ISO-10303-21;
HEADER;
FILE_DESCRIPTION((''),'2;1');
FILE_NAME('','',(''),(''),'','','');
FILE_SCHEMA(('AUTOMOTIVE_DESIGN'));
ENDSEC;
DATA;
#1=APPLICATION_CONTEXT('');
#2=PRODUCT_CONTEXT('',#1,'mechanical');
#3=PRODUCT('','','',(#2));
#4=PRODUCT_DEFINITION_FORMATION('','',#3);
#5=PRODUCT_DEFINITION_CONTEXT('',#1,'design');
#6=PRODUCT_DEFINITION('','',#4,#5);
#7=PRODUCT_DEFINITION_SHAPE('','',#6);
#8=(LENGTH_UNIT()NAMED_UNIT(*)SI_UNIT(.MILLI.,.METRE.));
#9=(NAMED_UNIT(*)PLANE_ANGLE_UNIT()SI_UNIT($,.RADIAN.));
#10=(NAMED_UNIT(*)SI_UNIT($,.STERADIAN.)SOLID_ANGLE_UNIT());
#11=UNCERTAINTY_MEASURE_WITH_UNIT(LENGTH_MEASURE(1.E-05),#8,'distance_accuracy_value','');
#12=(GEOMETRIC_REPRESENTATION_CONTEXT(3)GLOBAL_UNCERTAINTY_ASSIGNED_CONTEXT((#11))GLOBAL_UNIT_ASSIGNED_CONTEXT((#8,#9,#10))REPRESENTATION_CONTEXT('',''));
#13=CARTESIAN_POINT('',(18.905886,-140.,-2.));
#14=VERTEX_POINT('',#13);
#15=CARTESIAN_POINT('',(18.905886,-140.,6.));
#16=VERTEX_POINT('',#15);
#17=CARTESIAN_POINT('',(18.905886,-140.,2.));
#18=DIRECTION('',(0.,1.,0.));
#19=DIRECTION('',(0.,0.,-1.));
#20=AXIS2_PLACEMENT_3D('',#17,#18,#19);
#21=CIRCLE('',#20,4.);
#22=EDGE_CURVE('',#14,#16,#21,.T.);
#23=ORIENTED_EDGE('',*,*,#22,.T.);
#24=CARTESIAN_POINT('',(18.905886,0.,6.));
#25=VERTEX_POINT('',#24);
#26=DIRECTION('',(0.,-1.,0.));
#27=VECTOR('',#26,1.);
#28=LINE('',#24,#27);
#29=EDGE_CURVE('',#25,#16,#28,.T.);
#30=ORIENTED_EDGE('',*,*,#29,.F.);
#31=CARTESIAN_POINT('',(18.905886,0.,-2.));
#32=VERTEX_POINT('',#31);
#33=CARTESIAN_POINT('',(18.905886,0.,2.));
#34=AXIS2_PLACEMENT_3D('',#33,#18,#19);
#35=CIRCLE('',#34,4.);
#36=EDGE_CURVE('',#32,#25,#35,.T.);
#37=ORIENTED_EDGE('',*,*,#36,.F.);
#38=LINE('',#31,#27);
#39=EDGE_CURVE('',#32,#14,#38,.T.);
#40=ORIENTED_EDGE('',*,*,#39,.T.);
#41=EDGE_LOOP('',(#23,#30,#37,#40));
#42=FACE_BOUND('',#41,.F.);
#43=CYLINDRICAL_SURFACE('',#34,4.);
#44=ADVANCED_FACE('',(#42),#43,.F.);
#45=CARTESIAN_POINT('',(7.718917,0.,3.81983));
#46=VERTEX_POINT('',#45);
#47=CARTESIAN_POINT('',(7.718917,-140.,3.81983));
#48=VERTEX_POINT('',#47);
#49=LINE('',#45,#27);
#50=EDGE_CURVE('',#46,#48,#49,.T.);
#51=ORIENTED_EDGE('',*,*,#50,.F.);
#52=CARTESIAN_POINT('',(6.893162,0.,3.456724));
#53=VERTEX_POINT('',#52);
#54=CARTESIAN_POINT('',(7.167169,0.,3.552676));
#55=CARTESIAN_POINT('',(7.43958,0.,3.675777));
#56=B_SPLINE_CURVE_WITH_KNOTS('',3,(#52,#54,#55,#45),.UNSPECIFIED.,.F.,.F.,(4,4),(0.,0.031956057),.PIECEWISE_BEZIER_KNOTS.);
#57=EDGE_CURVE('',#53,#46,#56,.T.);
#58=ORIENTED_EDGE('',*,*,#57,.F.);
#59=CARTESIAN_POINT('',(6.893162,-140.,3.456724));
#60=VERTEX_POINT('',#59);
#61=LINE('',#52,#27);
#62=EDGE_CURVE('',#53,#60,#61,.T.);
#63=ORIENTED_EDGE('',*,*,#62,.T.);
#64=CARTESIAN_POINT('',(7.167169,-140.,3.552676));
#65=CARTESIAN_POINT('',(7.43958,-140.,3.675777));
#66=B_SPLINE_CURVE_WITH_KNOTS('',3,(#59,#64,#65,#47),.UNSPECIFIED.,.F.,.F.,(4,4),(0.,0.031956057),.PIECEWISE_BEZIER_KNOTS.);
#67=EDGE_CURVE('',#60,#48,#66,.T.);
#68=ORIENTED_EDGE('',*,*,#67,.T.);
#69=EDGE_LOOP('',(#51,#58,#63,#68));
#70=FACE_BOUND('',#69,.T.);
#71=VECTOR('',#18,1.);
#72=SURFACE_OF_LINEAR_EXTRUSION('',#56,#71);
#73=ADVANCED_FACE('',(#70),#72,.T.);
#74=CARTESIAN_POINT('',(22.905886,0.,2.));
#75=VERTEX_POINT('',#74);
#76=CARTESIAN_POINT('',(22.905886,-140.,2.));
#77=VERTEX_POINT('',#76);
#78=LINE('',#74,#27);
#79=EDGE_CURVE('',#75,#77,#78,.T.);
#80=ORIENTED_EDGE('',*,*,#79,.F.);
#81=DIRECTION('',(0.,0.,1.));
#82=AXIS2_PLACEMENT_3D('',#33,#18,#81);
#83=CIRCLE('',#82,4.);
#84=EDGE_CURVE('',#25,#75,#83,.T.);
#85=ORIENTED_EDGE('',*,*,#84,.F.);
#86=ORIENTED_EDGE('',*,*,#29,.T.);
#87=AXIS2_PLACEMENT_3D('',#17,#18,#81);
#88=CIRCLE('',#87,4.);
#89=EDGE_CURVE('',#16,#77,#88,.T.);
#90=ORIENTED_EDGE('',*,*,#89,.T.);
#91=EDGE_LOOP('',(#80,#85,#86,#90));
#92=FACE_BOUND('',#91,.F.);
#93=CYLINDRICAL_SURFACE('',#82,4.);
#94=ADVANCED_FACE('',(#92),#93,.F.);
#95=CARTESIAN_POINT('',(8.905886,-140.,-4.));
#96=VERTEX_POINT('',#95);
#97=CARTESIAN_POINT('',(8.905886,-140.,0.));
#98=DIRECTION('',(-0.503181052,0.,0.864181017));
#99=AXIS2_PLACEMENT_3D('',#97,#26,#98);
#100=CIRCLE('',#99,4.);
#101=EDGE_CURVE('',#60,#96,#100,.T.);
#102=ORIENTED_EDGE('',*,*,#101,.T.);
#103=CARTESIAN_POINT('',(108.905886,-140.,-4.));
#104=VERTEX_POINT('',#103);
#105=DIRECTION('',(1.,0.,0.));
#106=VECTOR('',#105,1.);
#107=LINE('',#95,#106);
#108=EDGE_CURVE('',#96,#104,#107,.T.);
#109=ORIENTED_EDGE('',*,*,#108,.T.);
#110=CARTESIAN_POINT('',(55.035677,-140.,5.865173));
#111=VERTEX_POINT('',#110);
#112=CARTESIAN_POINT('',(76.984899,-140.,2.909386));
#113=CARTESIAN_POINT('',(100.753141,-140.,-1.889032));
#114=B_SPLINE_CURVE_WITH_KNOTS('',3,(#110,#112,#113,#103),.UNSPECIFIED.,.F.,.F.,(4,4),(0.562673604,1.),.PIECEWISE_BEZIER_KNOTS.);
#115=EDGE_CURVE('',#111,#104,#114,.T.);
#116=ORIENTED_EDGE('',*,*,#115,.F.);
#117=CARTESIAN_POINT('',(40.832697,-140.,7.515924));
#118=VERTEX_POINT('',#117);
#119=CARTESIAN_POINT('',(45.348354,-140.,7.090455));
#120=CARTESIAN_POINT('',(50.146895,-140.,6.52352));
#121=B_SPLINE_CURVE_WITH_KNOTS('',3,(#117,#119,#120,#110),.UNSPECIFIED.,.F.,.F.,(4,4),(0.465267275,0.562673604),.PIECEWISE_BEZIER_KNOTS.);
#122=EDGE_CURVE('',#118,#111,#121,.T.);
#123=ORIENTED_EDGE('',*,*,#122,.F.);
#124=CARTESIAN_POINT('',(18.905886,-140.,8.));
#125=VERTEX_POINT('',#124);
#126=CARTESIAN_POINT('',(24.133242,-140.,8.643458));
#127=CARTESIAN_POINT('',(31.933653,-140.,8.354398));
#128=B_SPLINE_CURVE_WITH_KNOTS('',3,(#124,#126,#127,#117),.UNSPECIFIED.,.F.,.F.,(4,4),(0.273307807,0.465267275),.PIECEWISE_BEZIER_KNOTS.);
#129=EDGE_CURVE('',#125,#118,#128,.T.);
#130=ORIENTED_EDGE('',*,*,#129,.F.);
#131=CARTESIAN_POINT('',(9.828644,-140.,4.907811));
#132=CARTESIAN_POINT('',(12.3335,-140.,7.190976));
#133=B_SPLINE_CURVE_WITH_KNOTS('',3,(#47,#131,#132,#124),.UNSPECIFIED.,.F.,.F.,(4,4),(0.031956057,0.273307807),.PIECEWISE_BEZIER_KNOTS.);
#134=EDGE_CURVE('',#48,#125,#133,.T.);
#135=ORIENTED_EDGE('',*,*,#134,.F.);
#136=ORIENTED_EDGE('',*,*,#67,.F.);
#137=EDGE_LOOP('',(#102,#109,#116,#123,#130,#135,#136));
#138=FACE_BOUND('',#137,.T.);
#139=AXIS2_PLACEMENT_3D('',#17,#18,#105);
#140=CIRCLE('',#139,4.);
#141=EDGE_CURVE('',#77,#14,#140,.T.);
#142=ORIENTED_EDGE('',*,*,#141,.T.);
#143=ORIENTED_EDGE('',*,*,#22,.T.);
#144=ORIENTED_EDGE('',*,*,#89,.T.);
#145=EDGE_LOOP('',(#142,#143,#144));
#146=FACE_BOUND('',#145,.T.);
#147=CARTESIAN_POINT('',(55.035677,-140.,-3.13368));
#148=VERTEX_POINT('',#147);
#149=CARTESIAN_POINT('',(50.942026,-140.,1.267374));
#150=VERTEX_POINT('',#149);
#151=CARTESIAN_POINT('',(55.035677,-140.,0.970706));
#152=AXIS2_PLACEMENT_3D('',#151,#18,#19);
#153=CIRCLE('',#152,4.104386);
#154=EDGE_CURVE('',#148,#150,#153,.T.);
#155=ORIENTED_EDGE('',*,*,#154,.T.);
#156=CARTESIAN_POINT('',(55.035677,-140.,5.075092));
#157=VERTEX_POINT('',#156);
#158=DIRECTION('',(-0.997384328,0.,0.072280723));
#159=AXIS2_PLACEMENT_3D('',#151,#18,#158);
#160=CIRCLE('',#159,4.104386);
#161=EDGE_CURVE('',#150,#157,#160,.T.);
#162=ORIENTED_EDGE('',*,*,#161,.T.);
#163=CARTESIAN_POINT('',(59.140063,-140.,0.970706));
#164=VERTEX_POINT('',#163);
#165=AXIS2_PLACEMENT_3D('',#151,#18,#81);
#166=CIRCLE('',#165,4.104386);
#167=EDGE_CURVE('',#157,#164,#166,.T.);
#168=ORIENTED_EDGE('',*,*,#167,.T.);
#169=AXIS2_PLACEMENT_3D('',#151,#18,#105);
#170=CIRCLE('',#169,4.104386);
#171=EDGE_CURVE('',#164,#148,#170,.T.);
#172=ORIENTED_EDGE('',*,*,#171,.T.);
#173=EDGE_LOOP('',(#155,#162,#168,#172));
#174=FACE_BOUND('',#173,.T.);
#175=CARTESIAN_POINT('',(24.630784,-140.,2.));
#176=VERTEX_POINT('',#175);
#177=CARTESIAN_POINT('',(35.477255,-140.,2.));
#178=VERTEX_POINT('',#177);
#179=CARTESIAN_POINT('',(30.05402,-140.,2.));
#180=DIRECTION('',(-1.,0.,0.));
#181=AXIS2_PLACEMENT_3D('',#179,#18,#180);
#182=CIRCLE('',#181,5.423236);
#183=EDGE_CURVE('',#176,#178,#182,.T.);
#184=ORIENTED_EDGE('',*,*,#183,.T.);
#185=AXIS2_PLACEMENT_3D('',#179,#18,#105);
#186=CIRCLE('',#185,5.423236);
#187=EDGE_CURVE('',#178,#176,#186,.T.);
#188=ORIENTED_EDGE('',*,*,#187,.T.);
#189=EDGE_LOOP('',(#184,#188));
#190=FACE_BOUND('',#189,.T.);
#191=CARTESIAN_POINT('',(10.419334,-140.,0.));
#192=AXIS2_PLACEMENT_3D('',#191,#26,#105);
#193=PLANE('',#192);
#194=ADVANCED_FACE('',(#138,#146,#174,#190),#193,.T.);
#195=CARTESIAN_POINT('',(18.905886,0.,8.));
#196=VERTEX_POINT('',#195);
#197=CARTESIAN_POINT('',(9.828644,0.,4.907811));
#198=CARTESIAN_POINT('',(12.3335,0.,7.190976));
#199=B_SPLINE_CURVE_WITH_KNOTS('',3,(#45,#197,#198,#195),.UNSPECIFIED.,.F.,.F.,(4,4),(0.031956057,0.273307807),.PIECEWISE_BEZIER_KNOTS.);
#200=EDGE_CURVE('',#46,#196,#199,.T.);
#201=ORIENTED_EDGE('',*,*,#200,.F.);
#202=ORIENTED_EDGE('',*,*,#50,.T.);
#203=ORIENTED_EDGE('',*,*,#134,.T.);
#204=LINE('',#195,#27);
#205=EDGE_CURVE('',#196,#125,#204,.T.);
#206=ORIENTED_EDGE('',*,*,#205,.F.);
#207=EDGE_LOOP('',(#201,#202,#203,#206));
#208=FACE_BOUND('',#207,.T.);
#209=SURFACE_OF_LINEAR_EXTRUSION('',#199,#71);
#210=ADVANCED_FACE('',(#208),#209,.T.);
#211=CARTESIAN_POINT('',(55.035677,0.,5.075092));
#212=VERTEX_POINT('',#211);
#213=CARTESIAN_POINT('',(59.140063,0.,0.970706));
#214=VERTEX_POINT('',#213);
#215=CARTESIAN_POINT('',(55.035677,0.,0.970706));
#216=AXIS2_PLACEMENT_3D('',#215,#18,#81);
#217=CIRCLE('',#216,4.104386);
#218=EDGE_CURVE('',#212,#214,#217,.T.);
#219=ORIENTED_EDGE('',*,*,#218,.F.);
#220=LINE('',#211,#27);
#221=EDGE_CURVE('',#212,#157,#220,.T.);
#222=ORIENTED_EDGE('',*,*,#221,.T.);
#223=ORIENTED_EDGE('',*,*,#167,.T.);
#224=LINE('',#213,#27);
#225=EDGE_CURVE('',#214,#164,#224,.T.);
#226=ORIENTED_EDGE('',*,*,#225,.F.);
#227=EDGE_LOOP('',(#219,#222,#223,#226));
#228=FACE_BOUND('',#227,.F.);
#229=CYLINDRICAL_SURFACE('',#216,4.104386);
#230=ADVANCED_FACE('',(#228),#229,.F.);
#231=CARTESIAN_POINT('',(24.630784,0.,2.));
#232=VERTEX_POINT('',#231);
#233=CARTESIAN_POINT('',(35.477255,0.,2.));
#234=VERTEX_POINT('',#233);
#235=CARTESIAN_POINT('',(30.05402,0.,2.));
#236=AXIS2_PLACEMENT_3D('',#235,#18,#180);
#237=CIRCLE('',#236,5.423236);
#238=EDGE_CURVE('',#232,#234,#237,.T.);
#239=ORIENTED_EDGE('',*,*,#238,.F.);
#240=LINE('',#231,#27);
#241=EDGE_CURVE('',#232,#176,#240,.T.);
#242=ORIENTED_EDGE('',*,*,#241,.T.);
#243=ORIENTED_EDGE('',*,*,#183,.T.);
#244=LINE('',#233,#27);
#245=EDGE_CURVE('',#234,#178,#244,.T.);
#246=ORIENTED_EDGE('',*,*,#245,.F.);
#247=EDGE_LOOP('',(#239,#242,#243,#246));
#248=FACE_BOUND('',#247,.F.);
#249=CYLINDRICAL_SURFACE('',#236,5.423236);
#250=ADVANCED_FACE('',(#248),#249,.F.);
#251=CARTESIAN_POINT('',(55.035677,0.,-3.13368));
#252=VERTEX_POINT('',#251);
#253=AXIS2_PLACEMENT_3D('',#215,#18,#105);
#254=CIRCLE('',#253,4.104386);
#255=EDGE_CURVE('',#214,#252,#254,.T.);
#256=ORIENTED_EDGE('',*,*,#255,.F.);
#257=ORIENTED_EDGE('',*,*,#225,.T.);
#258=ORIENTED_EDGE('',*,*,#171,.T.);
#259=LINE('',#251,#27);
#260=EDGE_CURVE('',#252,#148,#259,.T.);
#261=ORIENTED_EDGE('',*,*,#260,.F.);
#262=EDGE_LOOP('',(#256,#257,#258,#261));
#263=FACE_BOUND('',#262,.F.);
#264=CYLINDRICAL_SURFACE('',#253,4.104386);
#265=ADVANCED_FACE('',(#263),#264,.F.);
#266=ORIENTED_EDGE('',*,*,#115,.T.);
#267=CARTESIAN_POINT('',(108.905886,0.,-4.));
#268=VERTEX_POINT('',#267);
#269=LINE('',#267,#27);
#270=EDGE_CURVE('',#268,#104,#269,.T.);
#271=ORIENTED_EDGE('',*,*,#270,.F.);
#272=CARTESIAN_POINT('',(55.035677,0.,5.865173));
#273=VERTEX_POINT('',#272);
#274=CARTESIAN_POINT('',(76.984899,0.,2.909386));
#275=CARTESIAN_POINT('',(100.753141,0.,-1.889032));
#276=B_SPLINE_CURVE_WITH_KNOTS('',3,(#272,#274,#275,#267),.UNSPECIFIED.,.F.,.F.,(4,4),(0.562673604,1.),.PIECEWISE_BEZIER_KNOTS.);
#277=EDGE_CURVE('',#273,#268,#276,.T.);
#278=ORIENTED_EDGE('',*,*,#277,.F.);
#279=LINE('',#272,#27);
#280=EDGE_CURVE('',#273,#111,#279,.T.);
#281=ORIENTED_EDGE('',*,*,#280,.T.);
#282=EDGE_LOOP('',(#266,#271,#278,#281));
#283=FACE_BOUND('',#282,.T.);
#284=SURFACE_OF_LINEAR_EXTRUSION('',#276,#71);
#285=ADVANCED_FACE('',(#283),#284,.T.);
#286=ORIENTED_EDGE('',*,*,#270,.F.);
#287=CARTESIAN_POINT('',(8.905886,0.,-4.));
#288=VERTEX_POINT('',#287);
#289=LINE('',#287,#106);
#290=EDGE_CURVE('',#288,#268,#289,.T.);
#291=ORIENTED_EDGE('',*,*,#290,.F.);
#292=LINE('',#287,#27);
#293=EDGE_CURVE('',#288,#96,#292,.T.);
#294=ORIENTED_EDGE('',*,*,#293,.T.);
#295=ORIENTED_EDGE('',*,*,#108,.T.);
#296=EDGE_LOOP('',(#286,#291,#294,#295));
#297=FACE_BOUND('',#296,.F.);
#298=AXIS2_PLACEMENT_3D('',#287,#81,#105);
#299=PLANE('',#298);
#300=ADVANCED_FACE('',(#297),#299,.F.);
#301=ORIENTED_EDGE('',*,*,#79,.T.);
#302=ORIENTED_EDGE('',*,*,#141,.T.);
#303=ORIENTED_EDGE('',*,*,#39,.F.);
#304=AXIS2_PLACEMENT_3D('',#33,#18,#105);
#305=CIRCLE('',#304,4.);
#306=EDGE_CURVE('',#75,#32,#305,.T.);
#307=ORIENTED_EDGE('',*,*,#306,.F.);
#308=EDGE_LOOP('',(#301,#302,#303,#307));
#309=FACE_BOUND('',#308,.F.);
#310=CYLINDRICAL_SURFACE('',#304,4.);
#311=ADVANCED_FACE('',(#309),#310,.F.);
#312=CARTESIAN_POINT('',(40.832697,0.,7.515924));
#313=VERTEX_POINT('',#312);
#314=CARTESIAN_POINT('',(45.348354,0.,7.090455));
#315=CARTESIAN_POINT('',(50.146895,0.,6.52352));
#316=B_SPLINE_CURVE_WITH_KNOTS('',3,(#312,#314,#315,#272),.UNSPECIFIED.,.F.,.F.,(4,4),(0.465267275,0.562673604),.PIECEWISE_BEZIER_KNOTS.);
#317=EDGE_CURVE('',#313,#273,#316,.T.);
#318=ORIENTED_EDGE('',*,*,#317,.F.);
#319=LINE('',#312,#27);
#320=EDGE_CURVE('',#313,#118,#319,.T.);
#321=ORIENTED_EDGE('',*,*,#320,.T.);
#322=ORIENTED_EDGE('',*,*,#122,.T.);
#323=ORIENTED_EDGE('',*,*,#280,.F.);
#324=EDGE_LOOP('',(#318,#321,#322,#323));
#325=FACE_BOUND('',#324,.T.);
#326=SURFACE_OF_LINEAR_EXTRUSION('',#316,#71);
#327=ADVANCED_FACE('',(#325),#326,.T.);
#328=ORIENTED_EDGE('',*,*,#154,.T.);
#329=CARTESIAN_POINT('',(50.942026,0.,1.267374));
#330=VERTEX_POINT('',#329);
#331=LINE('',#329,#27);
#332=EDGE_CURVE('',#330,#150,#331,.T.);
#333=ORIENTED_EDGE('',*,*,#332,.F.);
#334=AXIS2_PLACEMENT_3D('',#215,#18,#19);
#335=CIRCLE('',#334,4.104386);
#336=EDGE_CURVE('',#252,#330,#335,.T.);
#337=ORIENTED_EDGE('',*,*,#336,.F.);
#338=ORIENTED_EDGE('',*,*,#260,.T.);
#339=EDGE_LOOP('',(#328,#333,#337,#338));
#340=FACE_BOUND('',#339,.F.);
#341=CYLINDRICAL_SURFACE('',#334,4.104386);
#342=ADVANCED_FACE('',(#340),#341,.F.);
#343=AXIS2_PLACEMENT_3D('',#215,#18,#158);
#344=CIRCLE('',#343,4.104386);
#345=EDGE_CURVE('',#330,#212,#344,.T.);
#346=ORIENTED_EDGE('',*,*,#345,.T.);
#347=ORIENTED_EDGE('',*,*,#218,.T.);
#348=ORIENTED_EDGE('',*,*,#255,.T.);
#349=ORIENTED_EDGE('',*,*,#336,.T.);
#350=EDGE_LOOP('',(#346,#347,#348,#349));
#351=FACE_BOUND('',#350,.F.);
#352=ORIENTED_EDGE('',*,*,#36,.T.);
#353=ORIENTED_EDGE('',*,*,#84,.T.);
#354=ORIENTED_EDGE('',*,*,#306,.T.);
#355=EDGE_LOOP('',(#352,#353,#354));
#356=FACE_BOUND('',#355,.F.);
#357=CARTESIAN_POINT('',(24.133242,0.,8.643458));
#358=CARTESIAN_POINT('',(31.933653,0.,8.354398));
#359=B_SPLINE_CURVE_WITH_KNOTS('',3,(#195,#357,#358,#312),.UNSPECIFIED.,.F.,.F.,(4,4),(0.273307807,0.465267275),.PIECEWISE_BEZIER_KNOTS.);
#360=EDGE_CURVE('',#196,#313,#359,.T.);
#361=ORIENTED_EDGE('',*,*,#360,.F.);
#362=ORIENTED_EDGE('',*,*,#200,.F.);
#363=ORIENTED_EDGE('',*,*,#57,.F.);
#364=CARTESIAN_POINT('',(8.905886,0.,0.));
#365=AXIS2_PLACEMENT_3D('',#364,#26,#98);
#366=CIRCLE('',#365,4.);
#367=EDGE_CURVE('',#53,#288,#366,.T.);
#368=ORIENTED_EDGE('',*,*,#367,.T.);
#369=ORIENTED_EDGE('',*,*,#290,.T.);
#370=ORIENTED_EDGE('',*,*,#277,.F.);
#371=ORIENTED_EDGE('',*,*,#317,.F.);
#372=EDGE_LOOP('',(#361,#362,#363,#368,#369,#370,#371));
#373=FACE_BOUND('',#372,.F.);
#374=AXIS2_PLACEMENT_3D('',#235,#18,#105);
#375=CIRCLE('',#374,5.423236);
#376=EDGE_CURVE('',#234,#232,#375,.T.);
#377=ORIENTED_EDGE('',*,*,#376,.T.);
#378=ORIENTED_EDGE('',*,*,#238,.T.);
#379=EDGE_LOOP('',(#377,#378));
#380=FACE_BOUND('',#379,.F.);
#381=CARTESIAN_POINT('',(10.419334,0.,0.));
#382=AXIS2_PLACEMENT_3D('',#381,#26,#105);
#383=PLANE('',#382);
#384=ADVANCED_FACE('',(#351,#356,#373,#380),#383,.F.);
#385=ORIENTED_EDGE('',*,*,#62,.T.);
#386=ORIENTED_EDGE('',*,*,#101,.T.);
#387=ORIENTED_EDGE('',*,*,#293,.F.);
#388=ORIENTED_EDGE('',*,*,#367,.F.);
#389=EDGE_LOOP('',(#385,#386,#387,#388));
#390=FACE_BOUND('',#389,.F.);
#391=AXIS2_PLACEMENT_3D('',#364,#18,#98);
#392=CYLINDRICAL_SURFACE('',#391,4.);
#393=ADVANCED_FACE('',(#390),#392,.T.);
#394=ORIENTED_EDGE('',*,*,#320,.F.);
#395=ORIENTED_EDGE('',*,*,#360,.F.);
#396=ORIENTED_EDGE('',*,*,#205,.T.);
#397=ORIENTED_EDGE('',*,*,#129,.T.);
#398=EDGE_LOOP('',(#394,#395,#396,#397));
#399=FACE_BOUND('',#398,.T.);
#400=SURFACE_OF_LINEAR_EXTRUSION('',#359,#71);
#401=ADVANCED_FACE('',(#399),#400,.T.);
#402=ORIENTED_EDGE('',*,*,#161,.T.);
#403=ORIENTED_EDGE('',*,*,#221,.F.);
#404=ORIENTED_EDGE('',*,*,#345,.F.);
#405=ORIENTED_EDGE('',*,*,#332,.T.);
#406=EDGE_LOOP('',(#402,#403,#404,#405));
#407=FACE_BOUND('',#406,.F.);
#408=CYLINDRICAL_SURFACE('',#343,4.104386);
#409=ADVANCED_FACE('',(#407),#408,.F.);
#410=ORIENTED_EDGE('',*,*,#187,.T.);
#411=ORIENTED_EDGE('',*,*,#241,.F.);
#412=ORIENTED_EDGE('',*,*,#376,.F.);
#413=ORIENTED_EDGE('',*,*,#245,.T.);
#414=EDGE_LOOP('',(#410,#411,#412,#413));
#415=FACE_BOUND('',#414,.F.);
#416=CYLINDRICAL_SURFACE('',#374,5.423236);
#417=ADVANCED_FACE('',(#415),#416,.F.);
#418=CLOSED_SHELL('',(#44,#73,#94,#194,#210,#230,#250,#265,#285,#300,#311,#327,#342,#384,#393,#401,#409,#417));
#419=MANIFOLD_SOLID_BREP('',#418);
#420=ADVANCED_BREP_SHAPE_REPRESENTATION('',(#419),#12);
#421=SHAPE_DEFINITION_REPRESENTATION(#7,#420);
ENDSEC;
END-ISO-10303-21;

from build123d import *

# Parameters (mm, degrees)
F1_DEPTH = 140


with BuildPart() as f1:
    # F0 (on Front) → F1 (new body)
    with BuildSketch(Plane.XZ):
        with BuildLine():
            Line((8.9058858157, 0), (8.9058858157, -4))
            ThreePointArc((8.9058858157, -4), (11.7343129405, -2.8284271247), (12.9058858157, 0))
            ThreePointArc((12.9058858157, 0), (11.7343129405, 2.8284271247), (8.9058858157, 4))
            Line((8.9058858157, 4), (8.9058858157, 0))
        make_face()
        with BuildLine():
            ThreePointArc((6.8931616097, 3.4567240663), (5.0440924328, -1.0423779868), (8.9058858157, -4))
            Line((8.9058858157, -4), (8.9058858157, 0))
            Line((8.9058858157, 0), (8.9058858157, 4))
            ThreePointArc((8.9058858157, 4), (8.3056033579, 3.9547011228), (7.7189169607, 3.8198304854))
            add(Edge.make_bspline(
                [(6.8931616097, 3.4567240663), (7.1671692641, 3.5526761618), (7.4395796175, 3.6757769611), (7.7189169607, 3.8198304854)],
                knots=[0, 0, 0, 0, 0.0319560574, 0.0319560574, 0.0319560574, 0.0319560574], degree=3))
        make_face()
        with BuildLine():
            ThreePointArc((12.9058858157, 0), (11.7343129405, -2.8284271247), (8.9058858157, -4))
            Line((8.9058858157, -4), (18.9058858157, -4))
            Line((18.9058858157, -4), (18.9058858157, -2))
            ThreePointArc((18.9058858157, -2), (14.9058858157, 2), (18.9058858157, 6))
            Line((18.9058858157, 6), (18.9058858157, 8))
            add(Edge.make_bspline(
                [(7.7189169607, 3.8198304854), (9.8286439453, 4.9078110756), (12.3335000762, 7.1909763912), (18.9058858157, 8)],
                knots=[0.0319560574, 0.0319560574, 0.0319560574, 0.0319560574, 0.2733078071, 0.2733078071, 0.2733078071, 0.2733078071], degree=3))
            ThreePointArc((7.7189169607, 3.8198304854), (8.3056033579, 3.9547011228), (8.9058858157, 4))
            ThreePointArc((8.9058858157, 4), (11.7343129405, 2.8284271247), (12.9058858157, 0))
        make_face()
        with BuildLine():
            Line((18.9058858157, -2), (18.9058858157, -4))
            Line((18.9058858157, -4), (40.8326969018, -4))
            Line((40.8326969018, -4), (40.8326969018, 2))
            Line((40.8326969018, 2), (35.4772553119, 2))
            ThreePointArc((35.4772553119, 2), (30.0540197641, -3.4232355478), (24.6307842162, 2))
            Line((24.6307842162, 2), (22.9058858157, 2))
            ThreePointArc((22.9058858157, 2), (21.7343129405, -0.8284271247), (18.9058858157, -2))
        make_face()
        with BuildLine():
            Line((40.8326969018, 2), (40.8326969018, -4))
            Line((40.8326969018, -4), (44.5024557412, -4))
            Line((44.5024557412, -4), (55.0356768072, -4))
            Line((55.0356768072, -4), (55.0356768072, -3.133680116))
            ThreePointArc((55.0356768072, -3.133680116), (52.0303793302, -1.82467816), (50.9420263678, 1.267374051))
            Line((50.9420263678, 1.267374051), (40.8326969018, 2))
        make_face()
        with BuildLine():
            Line((55.0356768072, -3.133680116), (55.0356768072, -4))
            Line((55.0356768072, -4), (108.9058858157, -4))
            add(Edge.make_bspline(
                [(55.0356768072, 5.8651734237), (76.9848989248, 2.9093856947), (100.7531405588, -1.8890320981), (108.9058858157, -4)],
                knots=[0.5626736041, 0.5626736041, 0.5626736041, 0.5626736041, 1, 1, 1, 1], degree=3))
            Line((55.0356768072, 5.8651734237), (55.0356768072, 5.0750922212))
            ThreePointArc((55.0356768072, 5.0750922212), (57.9379160996, 3.872945345), (59.1400629758, 0.9707060526))
            ThreePointArc((59.1400629758, 0.9707060526), (57.9379160996, -1.9315332398), (55.0356768072, -3.133680116))
        make_face()
        with BuildLine():
            Line((35.4772553119, 2), (40.8326969018, 2))
            Line((40.8326969018, 2), (40.8326969018, 7.5159238008))
            add(Edge.make_bspline(
                [(18.9058858157, 8), (24.1332424557, 8.6434581142), (31.9336530673, 8.3543978355), (40.8326969018, 7.5159238008)],
                knots=[0.2733078071, 0.2733078071, 0.2733078071, 0.2733078071, 0.4652672753, 0.4652672753, 0.4652672753, 0.4652672753], degree=3))
            Line((18.9058858157, 8), (18.9058858157, 6))
            ThreePointArc((18.9058858157, 6), (21.7343129405, 4.8284271247), (22.9058858157, 2))
            Line((22.9058858157, 2), (24.6307842162, 2))
            ThreePointArc((24.6307842162, 2), (30.0540197641, 7.4232355478), (35.4772553119, 2))
        make_face()
        with BuildLine():
            Line((40.8326969018, 7.5159238008), (40.8326969018, 2))
            Line((40.8326969018, 2), (50.9420263678, 1.267374051))
            ThreePointArc((50.9420263678, 1.267374051), (52.2402925946, 3.9760035296), (55.0356768072, 5.0750922212))
            Line((55.0356768072, 5.0750922212), (55.0356768072, 5.8651734237))
            add(Edge.make_bspline(
                [(40.8326969018, 7.5159238008), (45.3483542836, 7.0904554545), (50.1468954165, 6.5235202192), (55.0356768072, 5.8651734237)],
                knots=[0.4652672753, 0.4652672753, 0.4652672753, 0.4652672753, 0.5626736041, 0.5626736041, 0.5626736041, 0.5626736041], degree=3))
        make_face()
    extrude(amount=F1_DEPTH)


solid = f1.part
